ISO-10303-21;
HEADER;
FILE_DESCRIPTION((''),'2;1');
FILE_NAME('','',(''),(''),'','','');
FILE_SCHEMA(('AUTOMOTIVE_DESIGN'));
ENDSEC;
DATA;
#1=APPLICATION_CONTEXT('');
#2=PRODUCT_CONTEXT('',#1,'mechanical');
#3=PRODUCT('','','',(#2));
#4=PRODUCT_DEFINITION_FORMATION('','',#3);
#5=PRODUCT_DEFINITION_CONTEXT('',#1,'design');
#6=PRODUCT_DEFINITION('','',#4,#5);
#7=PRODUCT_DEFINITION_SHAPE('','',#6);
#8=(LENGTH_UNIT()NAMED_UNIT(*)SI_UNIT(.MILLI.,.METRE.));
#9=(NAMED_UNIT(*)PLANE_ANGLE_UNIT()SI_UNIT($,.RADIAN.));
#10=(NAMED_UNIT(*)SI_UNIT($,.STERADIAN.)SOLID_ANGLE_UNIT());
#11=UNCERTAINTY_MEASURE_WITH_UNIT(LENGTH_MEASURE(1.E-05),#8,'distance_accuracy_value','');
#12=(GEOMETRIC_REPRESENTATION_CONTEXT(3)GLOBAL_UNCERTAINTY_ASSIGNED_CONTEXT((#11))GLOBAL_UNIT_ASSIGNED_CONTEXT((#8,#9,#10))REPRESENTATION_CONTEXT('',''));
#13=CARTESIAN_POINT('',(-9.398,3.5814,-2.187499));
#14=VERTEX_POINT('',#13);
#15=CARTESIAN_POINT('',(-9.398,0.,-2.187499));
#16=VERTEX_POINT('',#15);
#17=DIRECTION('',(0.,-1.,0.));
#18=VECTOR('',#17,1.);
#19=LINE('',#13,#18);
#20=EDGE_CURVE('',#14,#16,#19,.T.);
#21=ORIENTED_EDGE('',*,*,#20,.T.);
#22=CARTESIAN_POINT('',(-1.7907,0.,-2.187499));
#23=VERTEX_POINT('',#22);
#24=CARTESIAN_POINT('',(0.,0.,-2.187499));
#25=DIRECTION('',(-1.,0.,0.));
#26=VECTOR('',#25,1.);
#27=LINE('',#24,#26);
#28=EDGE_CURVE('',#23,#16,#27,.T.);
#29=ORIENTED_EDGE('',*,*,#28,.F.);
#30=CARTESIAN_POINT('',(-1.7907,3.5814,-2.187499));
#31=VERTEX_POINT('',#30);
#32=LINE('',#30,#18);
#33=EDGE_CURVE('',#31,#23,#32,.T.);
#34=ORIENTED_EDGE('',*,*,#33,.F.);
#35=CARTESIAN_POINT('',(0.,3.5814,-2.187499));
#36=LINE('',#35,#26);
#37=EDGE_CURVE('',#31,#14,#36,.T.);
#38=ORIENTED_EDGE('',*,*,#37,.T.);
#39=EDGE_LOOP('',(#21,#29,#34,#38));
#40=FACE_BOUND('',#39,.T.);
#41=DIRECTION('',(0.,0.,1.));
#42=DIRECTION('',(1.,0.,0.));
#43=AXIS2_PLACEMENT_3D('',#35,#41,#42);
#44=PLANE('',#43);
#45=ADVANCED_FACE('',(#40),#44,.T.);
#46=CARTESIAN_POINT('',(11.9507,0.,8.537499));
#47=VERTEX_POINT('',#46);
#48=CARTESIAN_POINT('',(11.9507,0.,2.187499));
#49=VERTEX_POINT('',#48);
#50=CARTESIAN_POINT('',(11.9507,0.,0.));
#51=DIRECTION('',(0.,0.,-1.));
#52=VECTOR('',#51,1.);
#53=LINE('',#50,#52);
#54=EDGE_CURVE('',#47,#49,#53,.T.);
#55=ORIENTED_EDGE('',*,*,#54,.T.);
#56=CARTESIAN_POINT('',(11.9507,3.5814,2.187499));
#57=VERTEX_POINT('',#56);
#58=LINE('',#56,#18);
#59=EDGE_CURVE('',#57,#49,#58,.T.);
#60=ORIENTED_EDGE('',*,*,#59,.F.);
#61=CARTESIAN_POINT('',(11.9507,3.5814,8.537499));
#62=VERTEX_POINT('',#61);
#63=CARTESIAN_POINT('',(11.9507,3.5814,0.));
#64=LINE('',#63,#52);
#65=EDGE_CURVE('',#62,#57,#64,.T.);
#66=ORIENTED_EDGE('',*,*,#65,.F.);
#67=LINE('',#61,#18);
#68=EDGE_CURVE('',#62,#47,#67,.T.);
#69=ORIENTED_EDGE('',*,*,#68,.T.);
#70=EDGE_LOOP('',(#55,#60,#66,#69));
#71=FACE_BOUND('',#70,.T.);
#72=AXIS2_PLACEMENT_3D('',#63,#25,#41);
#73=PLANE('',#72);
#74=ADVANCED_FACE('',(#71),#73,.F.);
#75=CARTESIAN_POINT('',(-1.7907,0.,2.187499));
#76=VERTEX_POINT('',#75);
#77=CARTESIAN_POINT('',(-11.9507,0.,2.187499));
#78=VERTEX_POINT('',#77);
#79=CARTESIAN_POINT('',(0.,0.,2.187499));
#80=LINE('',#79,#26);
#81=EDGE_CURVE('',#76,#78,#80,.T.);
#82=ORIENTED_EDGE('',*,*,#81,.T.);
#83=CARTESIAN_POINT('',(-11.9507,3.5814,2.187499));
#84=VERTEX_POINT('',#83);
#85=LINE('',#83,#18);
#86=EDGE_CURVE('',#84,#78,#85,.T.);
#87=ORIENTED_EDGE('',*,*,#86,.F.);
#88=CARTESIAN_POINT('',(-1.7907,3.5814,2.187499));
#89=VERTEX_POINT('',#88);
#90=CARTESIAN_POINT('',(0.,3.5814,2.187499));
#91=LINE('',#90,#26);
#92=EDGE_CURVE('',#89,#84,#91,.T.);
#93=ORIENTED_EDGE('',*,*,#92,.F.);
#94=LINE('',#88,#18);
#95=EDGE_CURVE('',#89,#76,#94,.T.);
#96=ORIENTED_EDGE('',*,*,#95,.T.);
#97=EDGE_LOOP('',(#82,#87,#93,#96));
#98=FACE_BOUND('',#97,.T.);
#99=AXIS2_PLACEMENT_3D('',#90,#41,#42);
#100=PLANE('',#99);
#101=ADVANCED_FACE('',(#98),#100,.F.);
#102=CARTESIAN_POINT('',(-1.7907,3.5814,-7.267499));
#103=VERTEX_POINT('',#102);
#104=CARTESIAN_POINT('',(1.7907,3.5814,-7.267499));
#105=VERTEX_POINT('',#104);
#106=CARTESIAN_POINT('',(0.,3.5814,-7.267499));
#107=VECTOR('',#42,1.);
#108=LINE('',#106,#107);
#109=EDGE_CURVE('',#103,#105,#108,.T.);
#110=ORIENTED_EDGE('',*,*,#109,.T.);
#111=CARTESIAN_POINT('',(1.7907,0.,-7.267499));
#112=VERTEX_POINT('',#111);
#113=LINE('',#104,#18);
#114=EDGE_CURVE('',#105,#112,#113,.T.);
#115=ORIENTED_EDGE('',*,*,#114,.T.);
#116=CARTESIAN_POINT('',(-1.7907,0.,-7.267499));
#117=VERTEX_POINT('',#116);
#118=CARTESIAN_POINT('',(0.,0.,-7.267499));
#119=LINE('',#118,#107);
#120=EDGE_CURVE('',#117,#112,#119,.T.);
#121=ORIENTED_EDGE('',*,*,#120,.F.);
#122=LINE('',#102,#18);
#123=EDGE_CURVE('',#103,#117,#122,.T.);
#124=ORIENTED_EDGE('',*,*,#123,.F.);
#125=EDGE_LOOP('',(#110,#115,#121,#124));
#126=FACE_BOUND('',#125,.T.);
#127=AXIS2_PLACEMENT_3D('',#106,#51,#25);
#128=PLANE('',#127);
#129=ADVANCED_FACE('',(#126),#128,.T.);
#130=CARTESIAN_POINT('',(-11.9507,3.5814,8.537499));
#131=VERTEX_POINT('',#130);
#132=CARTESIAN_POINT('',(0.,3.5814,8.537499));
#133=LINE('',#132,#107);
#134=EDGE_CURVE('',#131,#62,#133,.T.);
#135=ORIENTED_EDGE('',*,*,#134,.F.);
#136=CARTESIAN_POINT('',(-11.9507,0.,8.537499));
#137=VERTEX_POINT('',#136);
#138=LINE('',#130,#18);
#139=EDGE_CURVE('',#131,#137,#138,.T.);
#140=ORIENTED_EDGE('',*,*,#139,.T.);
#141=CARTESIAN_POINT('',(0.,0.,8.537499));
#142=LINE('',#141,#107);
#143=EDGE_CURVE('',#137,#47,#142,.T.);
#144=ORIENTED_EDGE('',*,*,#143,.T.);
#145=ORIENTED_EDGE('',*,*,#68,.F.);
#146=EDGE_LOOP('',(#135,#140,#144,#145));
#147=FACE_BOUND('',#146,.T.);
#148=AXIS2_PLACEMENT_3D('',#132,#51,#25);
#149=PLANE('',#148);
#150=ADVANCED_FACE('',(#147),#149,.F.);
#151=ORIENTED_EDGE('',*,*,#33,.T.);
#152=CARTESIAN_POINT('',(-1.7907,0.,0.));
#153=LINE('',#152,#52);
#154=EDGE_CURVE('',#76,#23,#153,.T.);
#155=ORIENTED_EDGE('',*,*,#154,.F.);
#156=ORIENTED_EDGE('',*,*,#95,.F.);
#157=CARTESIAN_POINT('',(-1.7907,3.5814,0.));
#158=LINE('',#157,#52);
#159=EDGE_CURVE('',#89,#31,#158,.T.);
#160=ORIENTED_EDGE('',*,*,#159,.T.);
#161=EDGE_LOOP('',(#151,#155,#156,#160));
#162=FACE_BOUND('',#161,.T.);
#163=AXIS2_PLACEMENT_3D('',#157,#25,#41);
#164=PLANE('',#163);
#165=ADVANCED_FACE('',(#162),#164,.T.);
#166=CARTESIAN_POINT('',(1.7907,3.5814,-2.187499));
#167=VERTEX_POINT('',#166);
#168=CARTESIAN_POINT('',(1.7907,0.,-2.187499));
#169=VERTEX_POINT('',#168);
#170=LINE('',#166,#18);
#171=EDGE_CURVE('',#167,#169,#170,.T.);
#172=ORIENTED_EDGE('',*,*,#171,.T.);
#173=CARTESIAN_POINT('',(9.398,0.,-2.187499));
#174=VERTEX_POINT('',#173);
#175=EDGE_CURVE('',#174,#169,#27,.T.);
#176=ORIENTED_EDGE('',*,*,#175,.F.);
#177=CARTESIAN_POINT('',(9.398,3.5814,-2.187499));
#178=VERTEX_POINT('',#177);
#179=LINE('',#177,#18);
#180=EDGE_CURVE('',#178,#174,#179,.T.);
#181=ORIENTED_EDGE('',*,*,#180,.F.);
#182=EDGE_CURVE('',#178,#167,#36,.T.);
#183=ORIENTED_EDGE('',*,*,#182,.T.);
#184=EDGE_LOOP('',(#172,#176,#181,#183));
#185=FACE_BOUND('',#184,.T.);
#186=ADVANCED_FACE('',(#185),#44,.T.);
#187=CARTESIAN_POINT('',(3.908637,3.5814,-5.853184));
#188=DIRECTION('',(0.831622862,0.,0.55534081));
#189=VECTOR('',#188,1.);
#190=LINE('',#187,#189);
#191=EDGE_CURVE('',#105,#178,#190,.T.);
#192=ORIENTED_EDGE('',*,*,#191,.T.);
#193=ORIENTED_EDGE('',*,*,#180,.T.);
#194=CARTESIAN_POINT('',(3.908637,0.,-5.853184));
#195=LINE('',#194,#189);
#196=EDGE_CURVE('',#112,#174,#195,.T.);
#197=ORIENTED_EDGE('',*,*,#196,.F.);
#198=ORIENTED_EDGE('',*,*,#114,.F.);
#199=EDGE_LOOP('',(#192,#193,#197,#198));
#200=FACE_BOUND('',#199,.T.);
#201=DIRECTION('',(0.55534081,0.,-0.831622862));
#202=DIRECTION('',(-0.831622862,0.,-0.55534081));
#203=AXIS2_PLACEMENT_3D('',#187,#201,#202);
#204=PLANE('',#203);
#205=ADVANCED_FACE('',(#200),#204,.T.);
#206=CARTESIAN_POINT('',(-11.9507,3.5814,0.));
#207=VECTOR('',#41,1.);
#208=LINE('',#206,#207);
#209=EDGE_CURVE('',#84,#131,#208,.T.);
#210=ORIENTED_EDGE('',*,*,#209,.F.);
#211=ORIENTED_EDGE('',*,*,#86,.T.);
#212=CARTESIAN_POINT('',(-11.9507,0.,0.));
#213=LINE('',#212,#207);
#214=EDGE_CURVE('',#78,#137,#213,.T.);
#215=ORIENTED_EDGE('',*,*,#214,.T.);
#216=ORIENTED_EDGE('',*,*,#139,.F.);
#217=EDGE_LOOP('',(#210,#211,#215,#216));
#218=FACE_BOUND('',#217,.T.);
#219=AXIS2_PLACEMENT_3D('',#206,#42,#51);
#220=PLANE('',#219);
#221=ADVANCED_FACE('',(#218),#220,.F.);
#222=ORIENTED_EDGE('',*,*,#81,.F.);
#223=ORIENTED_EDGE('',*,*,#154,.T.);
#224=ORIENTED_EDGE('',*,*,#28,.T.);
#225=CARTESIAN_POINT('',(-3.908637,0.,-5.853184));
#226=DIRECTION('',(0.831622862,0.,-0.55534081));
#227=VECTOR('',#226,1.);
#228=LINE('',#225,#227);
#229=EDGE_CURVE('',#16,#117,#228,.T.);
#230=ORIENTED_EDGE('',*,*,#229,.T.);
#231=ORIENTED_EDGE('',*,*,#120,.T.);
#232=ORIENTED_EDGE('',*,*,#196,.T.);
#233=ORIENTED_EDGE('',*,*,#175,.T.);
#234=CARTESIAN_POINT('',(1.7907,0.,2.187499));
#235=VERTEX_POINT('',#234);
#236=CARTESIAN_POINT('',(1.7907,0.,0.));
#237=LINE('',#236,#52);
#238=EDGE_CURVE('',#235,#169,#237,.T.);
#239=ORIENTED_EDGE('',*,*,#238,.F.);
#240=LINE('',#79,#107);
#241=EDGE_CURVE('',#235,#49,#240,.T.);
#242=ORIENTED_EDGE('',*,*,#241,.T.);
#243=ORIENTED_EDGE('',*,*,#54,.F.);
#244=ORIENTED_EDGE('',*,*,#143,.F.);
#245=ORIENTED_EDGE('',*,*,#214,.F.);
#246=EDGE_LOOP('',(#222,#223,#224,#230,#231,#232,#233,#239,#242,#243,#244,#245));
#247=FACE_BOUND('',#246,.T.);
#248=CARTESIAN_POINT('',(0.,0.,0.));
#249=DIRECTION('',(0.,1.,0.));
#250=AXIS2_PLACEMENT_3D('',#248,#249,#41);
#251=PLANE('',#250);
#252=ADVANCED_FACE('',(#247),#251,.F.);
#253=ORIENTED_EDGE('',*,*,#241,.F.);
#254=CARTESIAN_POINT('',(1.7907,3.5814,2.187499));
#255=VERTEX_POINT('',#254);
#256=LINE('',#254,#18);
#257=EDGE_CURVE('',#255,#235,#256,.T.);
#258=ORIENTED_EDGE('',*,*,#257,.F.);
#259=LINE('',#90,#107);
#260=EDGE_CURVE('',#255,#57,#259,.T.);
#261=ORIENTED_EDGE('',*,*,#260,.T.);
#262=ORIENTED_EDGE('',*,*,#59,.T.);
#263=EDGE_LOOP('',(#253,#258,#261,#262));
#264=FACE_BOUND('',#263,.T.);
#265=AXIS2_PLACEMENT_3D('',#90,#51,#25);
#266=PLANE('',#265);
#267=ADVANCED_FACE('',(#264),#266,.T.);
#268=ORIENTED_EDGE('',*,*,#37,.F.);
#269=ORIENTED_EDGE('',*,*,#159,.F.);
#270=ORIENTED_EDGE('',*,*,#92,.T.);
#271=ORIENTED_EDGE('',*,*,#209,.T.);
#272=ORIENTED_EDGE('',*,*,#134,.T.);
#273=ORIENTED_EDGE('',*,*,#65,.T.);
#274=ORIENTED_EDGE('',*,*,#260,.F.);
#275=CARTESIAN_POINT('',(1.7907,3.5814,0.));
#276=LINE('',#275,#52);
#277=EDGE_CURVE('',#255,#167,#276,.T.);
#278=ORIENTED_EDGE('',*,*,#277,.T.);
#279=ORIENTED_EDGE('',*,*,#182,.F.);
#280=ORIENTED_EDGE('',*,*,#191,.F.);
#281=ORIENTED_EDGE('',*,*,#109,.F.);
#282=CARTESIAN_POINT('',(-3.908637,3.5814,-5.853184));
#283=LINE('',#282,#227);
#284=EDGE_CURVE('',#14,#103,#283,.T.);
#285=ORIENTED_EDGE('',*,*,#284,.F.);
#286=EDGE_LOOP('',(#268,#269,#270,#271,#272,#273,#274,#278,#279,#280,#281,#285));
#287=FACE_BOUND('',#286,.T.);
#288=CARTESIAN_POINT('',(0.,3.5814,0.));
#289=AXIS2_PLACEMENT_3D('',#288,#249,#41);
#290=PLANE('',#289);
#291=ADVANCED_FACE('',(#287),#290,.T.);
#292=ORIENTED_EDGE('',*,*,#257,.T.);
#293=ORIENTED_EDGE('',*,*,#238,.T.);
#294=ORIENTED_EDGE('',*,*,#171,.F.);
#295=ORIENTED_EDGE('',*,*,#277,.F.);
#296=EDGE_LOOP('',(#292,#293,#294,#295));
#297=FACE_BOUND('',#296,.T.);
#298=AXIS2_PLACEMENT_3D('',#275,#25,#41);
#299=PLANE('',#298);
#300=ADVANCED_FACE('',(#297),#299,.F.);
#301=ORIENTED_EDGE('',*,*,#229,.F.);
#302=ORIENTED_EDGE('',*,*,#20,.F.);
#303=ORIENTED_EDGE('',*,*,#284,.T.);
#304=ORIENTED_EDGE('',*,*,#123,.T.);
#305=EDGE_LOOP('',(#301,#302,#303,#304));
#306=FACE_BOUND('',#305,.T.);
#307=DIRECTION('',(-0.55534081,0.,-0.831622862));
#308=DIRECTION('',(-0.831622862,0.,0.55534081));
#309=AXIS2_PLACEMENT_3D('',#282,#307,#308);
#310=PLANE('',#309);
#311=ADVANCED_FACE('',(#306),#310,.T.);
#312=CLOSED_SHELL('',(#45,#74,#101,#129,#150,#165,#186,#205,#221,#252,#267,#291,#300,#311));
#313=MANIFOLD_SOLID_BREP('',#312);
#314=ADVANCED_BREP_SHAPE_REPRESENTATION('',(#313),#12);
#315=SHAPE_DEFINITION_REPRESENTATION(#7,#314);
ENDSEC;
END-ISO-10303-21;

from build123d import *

# Parameters (mm, degrees)
BOSS_EXTRUDE1_DEPTH = 3.5814


with BuildPart() as part:
    # Sketch1 → Boss-Extrude1 (new body)
    with BuildSketch(Plane(origin=(0, 0, 0), x_dir=(1, 0, 0), z_dir=(0, 1, 0))):
        Polygon((-11.9507, -8.5374988), (11.9507, -8.5374988), (11.9507, -2.1874988), (1.7907, -2.1874988), (1.7907, 2.1874988), (9.398, 2.1874988), (1.7907, 7.2674988), (-1.7907, 7.2674988), (-9.398, 2.1874988), (-1.7907, 2.1874988), (-1.7907, -2.1874988), (-11.9507, -2.1874988), align=None)
    extrude(amount=BOSS_EXTRUDE1_DEPTH)


solid = part.part
